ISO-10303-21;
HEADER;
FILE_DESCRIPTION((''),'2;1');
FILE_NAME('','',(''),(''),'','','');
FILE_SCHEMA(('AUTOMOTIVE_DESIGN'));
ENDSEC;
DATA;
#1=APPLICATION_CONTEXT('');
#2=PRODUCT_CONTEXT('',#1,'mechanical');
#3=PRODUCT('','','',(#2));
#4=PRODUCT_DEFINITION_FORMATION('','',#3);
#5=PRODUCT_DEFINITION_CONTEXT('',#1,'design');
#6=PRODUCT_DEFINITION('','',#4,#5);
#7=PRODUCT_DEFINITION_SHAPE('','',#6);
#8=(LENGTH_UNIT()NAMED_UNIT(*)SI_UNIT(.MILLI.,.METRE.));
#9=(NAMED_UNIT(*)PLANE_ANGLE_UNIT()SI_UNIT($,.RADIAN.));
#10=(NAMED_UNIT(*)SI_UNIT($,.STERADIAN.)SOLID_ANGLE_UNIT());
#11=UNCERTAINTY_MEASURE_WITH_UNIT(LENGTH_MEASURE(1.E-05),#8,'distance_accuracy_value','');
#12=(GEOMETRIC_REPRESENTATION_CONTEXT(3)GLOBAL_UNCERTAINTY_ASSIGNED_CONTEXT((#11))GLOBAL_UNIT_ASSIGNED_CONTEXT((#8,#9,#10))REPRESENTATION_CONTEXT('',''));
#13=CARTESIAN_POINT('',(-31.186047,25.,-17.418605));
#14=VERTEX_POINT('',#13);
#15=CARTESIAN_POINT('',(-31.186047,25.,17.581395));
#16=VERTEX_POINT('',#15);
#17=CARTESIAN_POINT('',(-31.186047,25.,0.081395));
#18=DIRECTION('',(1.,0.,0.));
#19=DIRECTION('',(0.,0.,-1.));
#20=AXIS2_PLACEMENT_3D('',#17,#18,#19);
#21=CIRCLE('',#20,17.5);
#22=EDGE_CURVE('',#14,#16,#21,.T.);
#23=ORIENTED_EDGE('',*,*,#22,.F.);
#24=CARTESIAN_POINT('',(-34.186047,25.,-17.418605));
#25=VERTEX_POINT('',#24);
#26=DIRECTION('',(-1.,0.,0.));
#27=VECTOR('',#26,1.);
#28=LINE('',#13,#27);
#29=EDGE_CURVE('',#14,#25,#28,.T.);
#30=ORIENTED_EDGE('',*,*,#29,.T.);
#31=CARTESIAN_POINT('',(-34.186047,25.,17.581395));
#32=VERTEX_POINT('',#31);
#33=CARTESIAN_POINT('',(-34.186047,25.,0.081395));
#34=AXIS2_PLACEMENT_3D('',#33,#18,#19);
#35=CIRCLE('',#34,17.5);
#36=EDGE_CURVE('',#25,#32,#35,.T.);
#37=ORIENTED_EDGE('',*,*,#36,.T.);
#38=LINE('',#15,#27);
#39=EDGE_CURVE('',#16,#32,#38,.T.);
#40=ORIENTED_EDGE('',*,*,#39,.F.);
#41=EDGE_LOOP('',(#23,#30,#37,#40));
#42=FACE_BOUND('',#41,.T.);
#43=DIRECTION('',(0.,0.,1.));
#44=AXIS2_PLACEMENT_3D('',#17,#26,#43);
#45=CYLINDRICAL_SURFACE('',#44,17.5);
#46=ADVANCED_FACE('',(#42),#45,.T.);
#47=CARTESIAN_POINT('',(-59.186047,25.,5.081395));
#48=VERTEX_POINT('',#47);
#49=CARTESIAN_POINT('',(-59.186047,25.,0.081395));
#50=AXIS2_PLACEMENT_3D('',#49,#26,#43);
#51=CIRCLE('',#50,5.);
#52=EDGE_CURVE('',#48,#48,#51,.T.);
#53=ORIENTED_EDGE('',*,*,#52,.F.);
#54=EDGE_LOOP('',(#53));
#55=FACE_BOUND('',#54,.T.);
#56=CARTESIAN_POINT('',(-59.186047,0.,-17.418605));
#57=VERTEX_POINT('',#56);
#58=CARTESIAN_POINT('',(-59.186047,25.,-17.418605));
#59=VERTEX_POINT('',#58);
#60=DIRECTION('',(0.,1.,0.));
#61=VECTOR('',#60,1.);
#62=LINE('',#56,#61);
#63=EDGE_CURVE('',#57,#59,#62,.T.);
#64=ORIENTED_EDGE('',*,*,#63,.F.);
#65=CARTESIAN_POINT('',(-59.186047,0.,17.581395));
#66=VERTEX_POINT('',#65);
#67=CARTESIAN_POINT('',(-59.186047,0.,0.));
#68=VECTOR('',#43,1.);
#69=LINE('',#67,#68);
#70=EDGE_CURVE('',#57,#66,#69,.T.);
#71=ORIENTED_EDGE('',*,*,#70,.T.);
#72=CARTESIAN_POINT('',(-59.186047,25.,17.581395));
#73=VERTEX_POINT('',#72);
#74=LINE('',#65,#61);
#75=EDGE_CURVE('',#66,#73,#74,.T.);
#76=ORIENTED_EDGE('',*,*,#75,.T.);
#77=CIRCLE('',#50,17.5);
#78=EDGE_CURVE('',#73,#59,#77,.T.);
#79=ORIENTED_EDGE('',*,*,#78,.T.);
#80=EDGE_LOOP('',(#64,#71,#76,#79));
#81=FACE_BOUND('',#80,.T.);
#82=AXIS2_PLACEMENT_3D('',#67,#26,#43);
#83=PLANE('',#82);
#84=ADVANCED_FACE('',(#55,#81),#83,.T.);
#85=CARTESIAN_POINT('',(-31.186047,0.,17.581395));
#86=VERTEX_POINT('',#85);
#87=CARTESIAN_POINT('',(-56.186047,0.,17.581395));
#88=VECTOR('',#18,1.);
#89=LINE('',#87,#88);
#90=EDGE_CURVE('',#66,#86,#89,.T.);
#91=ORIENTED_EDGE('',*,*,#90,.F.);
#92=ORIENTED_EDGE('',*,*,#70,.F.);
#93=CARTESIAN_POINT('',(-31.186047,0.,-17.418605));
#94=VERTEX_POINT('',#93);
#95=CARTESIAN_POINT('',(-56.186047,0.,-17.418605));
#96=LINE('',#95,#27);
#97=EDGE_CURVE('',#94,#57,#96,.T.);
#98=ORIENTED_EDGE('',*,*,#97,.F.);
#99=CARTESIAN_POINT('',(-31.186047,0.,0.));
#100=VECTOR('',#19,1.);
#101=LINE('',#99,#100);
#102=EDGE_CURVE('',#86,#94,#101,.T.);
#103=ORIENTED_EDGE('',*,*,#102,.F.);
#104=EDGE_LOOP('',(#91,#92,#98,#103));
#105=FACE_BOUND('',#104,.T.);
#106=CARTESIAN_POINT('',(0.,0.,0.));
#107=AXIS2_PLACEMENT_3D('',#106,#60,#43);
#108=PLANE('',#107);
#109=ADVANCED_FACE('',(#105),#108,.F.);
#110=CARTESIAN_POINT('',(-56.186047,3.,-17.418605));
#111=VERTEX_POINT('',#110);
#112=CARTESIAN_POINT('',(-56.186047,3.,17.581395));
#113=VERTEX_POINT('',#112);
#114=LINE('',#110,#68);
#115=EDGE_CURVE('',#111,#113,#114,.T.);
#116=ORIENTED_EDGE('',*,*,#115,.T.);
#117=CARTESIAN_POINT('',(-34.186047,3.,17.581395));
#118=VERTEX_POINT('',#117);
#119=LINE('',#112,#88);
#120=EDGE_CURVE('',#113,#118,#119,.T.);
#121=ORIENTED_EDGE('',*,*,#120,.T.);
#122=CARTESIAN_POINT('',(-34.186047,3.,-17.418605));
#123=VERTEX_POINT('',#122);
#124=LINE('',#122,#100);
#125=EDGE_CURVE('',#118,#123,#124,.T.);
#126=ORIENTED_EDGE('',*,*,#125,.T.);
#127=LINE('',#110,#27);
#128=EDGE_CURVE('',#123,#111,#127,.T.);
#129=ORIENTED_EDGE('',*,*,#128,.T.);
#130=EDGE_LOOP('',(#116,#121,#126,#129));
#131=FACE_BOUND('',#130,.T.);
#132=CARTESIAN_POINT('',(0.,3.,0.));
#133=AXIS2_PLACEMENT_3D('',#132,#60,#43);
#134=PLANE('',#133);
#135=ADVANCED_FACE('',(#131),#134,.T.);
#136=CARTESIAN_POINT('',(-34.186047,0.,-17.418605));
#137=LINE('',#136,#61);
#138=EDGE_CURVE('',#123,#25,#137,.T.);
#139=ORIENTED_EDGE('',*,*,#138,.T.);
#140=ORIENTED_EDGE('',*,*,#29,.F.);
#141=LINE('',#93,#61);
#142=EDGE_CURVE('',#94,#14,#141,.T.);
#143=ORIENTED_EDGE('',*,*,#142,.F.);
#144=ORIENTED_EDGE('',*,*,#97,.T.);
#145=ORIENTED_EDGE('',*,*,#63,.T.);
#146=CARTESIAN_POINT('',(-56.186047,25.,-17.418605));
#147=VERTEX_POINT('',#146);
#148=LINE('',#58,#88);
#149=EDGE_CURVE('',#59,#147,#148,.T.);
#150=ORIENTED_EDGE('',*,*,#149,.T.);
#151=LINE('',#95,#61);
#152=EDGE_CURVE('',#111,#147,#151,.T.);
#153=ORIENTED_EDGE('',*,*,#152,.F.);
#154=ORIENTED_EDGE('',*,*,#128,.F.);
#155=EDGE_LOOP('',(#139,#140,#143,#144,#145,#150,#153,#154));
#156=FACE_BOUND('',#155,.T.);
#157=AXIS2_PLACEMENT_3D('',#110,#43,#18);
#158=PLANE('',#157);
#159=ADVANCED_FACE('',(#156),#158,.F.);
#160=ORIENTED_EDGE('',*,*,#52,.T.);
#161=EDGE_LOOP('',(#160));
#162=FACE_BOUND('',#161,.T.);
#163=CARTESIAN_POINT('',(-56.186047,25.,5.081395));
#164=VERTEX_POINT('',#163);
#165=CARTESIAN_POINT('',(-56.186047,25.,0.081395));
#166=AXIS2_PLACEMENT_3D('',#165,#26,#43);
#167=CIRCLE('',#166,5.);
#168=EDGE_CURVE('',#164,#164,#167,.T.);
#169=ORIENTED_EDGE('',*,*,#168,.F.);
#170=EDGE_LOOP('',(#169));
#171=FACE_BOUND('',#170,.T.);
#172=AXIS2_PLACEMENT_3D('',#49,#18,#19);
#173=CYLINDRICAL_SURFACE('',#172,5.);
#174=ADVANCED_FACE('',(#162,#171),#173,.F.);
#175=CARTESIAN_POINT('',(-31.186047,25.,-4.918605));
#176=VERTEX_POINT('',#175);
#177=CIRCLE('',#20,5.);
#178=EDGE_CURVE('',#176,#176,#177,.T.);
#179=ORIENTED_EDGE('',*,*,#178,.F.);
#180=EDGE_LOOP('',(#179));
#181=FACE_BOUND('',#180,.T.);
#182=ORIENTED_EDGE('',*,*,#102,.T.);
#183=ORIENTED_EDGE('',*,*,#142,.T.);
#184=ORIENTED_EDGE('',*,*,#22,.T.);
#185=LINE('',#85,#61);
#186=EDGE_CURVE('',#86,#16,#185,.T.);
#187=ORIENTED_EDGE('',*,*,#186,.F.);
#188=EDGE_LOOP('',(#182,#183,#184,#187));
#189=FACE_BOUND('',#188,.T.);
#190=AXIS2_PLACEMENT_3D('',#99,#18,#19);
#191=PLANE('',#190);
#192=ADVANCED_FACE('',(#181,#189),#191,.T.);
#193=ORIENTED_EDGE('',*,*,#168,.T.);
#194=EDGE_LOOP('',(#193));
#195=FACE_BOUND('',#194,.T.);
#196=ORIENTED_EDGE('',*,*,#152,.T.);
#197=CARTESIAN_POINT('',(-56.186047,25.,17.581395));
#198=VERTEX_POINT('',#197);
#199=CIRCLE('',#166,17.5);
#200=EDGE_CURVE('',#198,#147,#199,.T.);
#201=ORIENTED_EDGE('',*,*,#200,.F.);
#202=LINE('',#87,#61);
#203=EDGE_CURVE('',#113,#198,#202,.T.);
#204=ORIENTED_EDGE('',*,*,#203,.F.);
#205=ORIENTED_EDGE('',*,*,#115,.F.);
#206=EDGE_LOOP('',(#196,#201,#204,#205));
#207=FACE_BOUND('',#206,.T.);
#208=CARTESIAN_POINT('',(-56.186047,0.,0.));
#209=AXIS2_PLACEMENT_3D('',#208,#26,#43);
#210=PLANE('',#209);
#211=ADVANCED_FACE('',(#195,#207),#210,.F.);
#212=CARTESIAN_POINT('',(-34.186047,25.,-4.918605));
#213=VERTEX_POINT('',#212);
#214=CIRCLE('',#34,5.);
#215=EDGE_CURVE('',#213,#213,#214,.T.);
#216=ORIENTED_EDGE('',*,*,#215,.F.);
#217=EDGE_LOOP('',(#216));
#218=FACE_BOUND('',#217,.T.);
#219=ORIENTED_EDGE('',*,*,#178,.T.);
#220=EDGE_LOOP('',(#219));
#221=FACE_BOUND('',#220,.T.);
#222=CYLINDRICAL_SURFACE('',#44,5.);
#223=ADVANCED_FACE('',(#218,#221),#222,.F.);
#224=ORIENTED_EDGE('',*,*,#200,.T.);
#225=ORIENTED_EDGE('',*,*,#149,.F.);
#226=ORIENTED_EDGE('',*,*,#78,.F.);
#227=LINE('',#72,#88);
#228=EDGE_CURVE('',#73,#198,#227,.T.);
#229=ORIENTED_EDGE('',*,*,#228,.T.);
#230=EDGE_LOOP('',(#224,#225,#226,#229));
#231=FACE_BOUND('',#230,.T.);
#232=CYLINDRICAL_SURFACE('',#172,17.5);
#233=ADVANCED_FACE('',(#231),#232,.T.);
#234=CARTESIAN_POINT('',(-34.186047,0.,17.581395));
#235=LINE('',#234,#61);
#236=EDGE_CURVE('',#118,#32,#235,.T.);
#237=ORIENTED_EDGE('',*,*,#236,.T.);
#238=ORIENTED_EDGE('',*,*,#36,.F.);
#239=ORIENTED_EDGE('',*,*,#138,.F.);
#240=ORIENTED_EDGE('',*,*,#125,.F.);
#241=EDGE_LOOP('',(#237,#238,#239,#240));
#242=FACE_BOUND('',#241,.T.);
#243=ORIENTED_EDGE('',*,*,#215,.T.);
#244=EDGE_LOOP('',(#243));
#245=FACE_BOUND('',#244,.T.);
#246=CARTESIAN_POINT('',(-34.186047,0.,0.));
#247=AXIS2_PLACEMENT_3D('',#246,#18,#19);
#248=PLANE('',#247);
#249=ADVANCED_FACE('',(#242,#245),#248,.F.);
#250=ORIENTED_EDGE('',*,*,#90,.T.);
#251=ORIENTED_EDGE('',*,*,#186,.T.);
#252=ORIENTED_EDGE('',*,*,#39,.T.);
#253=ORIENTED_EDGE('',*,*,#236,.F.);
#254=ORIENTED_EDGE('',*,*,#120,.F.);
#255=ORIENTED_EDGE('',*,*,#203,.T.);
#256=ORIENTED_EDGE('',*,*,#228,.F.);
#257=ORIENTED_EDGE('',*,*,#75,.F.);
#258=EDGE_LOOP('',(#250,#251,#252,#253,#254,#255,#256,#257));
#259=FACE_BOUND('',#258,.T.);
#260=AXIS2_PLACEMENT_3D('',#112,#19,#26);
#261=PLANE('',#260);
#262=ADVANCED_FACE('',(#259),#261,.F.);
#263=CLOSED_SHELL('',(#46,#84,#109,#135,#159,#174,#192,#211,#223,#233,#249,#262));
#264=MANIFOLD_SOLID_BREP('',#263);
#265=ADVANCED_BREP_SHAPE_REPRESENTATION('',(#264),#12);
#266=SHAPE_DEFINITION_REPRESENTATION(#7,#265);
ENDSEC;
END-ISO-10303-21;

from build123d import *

# Parameters (mm, degrees)
SKETCH1_W           = 22
SKETCH1_H           = 35
BOSS_EXTRUDE1_DEPTH = 3
SKETCH2_W           = 35
SKETCH2_H           = 3
BOSS_EXTRUDE6_DEPTH = 3
BOSS_EXTRUDE7_START = 3
SKETCH4_W           = 35
SKETCH4_H           = 3
BOSS_EXTRUDE7_DEPTH = 3


with BuildPart() as part:
    # Sketch1 → Boss-Extrude1 (new body)
    with BuildSketch(Plane(origin=(0, 0, 0), x_dir=(1, 0, 0), z_dir=(0, 1, 0))):
        with Locations((-45.186046512, -0.081395349)):
            Rectangle(SKETCH1_W, SKETCH1_H)
    extrude(amount=BOSS_EXTRUDE1_DEPTH)

    # Sketch2 → Boss-Extrude6 (add)
    with BuildSketch(Plane(origin=(-34.186046512, 0, 0), x_dir=(0, 0, -1), z_dir=(1, 0, 0))):
        with BuildLine():
            ThreePointArc((17.418604651, 25), (-0.081395349, 42.5), (-17.581395349, 25))
            Line((-17.581395349, 25), (-5.081395349, 25))
            ThreePointArc((-5.081395349, 25), (-0.081395349, 30), (4.918604651, 25))
            Line((4.918604651, 25), (17.418604651, 25))
        make_face()
        with BuildLine():
            Line((-5.081395349, 25), (-17.581395349, 25))
            ThreePointArc((-17.581395349, 25), (-0.081395349, 7.5), (17.418604651, 25))
            Line((17.418604651, 25), (4.918604651, 25))
            ThreePointArc((4.918604651, 25), (-0.081395349, 20), (-5.081395349, 25))
        make_face()
        with BuildLine():
            Line((-17.581395349, 25), (-17.581395349, 3))
            Line((-17.581395349, 3), (17.418604651, 3))
            Line((17.418604651, 3), (17.418604651, 25))
            ThreePointArc((17.418604651, 25), (-0.081395349, 7.5), (-17.581395349, 25))
        make_face()
        with Locations((-0.081395349, 1.5)):
            Rectangle(SKETCH2_W, SKETCH2_H)
    extrude(amount=BOSS_EXTRUDE6_DEPTH)

    # Sketch4 → Boss-Extrude7 (add)
    with BuildSketch(Plane.ZY.offset(56.186046512).offset(BOSS_EXTRUDE7_START)):
        with BuildLine():
            ThreePointArc((17.581395349, 25), (0.081395349, 42.5), (-17.418604651, 25))
            Line((-17.418604651, 25), (-4.918604651, 25))
            ThreePointArc((-4.918604651, 25), (0.081395349, 30), (5.081395349, 25))
            Line((5.081395349, 25), (17.581395349, 25))
        make_face()
        with BuildLine():
            Line((-4.918604651, 25), (-17.418604651, 25))
            ThreePointArc((-17.418604651, 25), (0.081395349, 7.5), (17.581395349, 25))
            Line((17.581395349, 25), (5.081395349, 25))
            ThreePointArc((5.081395349, 25), (0.081395349, 20), (-4.918604651, 25))
        make_face()
        with BuildLine():
            Line((-17.418604651, 25), (-17.418604651, 3))
            Line((-17.418604651, 3), (17.581395349, 3))
            Line((17.581395349, 3), (17.581395349, 25))
            ThreePointArc((17.581395349, 25), (0.081395349, 7.5), (-17.418604651, 25))
        make_face()
        with Locations((0.081395349, 1.5)):
            Rectangle(SKETCH4_W, SKETCH4_H)
    extrude(amount=-BOSS_EXTRUDE7_DEPTH)


solid = part.part
